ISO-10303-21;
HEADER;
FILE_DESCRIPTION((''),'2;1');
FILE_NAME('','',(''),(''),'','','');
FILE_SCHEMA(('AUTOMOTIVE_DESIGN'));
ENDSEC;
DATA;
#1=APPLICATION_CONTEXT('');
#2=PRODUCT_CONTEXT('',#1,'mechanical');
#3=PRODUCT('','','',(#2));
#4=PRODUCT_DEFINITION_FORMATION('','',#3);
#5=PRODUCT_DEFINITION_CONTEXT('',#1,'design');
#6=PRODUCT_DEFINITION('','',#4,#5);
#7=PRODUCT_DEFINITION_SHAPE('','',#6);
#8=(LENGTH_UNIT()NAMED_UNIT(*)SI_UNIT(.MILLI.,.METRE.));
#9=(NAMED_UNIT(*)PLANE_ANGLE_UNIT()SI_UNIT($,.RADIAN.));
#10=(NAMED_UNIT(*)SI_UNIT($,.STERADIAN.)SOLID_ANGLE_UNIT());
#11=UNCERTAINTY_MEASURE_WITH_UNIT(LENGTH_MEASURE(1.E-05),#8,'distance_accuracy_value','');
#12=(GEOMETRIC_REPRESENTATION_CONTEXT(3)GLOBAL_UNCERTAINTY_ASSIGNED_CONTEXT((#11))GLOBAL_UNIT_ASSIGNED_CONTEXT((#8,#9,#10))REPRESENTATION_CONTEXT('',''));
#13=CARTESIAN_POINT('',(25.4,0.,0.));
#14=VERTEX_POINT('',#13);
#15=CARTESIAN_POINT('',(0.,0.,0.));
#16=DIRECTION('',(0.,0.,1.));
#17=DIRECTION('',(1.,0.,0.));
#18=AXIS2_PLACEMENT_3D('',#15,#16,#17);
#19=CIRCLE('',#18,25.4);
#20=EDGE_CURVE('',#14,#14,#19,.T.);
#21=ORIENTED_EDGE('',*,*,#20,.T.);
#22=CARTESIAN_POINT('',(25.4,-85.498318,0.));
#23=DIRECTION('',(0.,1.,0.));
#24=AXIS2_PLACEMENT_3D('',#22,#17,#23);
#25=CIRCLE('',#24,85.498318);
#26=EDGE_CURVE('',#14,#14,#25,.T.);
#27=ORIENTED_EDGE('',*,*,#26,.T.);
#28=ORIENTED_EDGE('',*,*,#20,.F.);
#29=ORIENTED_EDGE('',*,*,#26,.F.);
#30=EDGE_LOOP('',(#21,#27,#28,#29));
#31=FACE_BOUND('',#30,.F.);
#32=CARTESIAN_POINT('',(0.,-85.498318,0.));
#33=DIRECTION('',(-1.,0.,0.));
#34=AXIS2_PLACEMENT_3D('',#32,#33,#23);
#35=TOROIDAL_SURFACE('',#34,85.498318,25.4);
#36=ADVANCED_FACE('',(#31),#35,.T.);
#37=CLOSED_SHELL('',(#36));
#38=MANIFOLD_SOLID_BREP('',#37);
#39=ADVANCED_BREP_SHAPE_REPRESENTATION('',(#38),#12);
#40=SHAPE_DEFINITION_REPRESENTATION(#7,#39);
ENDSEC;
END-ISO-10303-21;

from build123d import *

# Parameters (mm, degrees)
F0_R = 25.4


with BuildPart() as f1:
    # F0 (on Top) → F1 (revolve)
    with BuildSketch(Plane.XY):
        Circle(F0_R)
    revolve(axis=Axis((20.849369, -85.498318, 0), (1, 0, 0)))


solid = f1.part
